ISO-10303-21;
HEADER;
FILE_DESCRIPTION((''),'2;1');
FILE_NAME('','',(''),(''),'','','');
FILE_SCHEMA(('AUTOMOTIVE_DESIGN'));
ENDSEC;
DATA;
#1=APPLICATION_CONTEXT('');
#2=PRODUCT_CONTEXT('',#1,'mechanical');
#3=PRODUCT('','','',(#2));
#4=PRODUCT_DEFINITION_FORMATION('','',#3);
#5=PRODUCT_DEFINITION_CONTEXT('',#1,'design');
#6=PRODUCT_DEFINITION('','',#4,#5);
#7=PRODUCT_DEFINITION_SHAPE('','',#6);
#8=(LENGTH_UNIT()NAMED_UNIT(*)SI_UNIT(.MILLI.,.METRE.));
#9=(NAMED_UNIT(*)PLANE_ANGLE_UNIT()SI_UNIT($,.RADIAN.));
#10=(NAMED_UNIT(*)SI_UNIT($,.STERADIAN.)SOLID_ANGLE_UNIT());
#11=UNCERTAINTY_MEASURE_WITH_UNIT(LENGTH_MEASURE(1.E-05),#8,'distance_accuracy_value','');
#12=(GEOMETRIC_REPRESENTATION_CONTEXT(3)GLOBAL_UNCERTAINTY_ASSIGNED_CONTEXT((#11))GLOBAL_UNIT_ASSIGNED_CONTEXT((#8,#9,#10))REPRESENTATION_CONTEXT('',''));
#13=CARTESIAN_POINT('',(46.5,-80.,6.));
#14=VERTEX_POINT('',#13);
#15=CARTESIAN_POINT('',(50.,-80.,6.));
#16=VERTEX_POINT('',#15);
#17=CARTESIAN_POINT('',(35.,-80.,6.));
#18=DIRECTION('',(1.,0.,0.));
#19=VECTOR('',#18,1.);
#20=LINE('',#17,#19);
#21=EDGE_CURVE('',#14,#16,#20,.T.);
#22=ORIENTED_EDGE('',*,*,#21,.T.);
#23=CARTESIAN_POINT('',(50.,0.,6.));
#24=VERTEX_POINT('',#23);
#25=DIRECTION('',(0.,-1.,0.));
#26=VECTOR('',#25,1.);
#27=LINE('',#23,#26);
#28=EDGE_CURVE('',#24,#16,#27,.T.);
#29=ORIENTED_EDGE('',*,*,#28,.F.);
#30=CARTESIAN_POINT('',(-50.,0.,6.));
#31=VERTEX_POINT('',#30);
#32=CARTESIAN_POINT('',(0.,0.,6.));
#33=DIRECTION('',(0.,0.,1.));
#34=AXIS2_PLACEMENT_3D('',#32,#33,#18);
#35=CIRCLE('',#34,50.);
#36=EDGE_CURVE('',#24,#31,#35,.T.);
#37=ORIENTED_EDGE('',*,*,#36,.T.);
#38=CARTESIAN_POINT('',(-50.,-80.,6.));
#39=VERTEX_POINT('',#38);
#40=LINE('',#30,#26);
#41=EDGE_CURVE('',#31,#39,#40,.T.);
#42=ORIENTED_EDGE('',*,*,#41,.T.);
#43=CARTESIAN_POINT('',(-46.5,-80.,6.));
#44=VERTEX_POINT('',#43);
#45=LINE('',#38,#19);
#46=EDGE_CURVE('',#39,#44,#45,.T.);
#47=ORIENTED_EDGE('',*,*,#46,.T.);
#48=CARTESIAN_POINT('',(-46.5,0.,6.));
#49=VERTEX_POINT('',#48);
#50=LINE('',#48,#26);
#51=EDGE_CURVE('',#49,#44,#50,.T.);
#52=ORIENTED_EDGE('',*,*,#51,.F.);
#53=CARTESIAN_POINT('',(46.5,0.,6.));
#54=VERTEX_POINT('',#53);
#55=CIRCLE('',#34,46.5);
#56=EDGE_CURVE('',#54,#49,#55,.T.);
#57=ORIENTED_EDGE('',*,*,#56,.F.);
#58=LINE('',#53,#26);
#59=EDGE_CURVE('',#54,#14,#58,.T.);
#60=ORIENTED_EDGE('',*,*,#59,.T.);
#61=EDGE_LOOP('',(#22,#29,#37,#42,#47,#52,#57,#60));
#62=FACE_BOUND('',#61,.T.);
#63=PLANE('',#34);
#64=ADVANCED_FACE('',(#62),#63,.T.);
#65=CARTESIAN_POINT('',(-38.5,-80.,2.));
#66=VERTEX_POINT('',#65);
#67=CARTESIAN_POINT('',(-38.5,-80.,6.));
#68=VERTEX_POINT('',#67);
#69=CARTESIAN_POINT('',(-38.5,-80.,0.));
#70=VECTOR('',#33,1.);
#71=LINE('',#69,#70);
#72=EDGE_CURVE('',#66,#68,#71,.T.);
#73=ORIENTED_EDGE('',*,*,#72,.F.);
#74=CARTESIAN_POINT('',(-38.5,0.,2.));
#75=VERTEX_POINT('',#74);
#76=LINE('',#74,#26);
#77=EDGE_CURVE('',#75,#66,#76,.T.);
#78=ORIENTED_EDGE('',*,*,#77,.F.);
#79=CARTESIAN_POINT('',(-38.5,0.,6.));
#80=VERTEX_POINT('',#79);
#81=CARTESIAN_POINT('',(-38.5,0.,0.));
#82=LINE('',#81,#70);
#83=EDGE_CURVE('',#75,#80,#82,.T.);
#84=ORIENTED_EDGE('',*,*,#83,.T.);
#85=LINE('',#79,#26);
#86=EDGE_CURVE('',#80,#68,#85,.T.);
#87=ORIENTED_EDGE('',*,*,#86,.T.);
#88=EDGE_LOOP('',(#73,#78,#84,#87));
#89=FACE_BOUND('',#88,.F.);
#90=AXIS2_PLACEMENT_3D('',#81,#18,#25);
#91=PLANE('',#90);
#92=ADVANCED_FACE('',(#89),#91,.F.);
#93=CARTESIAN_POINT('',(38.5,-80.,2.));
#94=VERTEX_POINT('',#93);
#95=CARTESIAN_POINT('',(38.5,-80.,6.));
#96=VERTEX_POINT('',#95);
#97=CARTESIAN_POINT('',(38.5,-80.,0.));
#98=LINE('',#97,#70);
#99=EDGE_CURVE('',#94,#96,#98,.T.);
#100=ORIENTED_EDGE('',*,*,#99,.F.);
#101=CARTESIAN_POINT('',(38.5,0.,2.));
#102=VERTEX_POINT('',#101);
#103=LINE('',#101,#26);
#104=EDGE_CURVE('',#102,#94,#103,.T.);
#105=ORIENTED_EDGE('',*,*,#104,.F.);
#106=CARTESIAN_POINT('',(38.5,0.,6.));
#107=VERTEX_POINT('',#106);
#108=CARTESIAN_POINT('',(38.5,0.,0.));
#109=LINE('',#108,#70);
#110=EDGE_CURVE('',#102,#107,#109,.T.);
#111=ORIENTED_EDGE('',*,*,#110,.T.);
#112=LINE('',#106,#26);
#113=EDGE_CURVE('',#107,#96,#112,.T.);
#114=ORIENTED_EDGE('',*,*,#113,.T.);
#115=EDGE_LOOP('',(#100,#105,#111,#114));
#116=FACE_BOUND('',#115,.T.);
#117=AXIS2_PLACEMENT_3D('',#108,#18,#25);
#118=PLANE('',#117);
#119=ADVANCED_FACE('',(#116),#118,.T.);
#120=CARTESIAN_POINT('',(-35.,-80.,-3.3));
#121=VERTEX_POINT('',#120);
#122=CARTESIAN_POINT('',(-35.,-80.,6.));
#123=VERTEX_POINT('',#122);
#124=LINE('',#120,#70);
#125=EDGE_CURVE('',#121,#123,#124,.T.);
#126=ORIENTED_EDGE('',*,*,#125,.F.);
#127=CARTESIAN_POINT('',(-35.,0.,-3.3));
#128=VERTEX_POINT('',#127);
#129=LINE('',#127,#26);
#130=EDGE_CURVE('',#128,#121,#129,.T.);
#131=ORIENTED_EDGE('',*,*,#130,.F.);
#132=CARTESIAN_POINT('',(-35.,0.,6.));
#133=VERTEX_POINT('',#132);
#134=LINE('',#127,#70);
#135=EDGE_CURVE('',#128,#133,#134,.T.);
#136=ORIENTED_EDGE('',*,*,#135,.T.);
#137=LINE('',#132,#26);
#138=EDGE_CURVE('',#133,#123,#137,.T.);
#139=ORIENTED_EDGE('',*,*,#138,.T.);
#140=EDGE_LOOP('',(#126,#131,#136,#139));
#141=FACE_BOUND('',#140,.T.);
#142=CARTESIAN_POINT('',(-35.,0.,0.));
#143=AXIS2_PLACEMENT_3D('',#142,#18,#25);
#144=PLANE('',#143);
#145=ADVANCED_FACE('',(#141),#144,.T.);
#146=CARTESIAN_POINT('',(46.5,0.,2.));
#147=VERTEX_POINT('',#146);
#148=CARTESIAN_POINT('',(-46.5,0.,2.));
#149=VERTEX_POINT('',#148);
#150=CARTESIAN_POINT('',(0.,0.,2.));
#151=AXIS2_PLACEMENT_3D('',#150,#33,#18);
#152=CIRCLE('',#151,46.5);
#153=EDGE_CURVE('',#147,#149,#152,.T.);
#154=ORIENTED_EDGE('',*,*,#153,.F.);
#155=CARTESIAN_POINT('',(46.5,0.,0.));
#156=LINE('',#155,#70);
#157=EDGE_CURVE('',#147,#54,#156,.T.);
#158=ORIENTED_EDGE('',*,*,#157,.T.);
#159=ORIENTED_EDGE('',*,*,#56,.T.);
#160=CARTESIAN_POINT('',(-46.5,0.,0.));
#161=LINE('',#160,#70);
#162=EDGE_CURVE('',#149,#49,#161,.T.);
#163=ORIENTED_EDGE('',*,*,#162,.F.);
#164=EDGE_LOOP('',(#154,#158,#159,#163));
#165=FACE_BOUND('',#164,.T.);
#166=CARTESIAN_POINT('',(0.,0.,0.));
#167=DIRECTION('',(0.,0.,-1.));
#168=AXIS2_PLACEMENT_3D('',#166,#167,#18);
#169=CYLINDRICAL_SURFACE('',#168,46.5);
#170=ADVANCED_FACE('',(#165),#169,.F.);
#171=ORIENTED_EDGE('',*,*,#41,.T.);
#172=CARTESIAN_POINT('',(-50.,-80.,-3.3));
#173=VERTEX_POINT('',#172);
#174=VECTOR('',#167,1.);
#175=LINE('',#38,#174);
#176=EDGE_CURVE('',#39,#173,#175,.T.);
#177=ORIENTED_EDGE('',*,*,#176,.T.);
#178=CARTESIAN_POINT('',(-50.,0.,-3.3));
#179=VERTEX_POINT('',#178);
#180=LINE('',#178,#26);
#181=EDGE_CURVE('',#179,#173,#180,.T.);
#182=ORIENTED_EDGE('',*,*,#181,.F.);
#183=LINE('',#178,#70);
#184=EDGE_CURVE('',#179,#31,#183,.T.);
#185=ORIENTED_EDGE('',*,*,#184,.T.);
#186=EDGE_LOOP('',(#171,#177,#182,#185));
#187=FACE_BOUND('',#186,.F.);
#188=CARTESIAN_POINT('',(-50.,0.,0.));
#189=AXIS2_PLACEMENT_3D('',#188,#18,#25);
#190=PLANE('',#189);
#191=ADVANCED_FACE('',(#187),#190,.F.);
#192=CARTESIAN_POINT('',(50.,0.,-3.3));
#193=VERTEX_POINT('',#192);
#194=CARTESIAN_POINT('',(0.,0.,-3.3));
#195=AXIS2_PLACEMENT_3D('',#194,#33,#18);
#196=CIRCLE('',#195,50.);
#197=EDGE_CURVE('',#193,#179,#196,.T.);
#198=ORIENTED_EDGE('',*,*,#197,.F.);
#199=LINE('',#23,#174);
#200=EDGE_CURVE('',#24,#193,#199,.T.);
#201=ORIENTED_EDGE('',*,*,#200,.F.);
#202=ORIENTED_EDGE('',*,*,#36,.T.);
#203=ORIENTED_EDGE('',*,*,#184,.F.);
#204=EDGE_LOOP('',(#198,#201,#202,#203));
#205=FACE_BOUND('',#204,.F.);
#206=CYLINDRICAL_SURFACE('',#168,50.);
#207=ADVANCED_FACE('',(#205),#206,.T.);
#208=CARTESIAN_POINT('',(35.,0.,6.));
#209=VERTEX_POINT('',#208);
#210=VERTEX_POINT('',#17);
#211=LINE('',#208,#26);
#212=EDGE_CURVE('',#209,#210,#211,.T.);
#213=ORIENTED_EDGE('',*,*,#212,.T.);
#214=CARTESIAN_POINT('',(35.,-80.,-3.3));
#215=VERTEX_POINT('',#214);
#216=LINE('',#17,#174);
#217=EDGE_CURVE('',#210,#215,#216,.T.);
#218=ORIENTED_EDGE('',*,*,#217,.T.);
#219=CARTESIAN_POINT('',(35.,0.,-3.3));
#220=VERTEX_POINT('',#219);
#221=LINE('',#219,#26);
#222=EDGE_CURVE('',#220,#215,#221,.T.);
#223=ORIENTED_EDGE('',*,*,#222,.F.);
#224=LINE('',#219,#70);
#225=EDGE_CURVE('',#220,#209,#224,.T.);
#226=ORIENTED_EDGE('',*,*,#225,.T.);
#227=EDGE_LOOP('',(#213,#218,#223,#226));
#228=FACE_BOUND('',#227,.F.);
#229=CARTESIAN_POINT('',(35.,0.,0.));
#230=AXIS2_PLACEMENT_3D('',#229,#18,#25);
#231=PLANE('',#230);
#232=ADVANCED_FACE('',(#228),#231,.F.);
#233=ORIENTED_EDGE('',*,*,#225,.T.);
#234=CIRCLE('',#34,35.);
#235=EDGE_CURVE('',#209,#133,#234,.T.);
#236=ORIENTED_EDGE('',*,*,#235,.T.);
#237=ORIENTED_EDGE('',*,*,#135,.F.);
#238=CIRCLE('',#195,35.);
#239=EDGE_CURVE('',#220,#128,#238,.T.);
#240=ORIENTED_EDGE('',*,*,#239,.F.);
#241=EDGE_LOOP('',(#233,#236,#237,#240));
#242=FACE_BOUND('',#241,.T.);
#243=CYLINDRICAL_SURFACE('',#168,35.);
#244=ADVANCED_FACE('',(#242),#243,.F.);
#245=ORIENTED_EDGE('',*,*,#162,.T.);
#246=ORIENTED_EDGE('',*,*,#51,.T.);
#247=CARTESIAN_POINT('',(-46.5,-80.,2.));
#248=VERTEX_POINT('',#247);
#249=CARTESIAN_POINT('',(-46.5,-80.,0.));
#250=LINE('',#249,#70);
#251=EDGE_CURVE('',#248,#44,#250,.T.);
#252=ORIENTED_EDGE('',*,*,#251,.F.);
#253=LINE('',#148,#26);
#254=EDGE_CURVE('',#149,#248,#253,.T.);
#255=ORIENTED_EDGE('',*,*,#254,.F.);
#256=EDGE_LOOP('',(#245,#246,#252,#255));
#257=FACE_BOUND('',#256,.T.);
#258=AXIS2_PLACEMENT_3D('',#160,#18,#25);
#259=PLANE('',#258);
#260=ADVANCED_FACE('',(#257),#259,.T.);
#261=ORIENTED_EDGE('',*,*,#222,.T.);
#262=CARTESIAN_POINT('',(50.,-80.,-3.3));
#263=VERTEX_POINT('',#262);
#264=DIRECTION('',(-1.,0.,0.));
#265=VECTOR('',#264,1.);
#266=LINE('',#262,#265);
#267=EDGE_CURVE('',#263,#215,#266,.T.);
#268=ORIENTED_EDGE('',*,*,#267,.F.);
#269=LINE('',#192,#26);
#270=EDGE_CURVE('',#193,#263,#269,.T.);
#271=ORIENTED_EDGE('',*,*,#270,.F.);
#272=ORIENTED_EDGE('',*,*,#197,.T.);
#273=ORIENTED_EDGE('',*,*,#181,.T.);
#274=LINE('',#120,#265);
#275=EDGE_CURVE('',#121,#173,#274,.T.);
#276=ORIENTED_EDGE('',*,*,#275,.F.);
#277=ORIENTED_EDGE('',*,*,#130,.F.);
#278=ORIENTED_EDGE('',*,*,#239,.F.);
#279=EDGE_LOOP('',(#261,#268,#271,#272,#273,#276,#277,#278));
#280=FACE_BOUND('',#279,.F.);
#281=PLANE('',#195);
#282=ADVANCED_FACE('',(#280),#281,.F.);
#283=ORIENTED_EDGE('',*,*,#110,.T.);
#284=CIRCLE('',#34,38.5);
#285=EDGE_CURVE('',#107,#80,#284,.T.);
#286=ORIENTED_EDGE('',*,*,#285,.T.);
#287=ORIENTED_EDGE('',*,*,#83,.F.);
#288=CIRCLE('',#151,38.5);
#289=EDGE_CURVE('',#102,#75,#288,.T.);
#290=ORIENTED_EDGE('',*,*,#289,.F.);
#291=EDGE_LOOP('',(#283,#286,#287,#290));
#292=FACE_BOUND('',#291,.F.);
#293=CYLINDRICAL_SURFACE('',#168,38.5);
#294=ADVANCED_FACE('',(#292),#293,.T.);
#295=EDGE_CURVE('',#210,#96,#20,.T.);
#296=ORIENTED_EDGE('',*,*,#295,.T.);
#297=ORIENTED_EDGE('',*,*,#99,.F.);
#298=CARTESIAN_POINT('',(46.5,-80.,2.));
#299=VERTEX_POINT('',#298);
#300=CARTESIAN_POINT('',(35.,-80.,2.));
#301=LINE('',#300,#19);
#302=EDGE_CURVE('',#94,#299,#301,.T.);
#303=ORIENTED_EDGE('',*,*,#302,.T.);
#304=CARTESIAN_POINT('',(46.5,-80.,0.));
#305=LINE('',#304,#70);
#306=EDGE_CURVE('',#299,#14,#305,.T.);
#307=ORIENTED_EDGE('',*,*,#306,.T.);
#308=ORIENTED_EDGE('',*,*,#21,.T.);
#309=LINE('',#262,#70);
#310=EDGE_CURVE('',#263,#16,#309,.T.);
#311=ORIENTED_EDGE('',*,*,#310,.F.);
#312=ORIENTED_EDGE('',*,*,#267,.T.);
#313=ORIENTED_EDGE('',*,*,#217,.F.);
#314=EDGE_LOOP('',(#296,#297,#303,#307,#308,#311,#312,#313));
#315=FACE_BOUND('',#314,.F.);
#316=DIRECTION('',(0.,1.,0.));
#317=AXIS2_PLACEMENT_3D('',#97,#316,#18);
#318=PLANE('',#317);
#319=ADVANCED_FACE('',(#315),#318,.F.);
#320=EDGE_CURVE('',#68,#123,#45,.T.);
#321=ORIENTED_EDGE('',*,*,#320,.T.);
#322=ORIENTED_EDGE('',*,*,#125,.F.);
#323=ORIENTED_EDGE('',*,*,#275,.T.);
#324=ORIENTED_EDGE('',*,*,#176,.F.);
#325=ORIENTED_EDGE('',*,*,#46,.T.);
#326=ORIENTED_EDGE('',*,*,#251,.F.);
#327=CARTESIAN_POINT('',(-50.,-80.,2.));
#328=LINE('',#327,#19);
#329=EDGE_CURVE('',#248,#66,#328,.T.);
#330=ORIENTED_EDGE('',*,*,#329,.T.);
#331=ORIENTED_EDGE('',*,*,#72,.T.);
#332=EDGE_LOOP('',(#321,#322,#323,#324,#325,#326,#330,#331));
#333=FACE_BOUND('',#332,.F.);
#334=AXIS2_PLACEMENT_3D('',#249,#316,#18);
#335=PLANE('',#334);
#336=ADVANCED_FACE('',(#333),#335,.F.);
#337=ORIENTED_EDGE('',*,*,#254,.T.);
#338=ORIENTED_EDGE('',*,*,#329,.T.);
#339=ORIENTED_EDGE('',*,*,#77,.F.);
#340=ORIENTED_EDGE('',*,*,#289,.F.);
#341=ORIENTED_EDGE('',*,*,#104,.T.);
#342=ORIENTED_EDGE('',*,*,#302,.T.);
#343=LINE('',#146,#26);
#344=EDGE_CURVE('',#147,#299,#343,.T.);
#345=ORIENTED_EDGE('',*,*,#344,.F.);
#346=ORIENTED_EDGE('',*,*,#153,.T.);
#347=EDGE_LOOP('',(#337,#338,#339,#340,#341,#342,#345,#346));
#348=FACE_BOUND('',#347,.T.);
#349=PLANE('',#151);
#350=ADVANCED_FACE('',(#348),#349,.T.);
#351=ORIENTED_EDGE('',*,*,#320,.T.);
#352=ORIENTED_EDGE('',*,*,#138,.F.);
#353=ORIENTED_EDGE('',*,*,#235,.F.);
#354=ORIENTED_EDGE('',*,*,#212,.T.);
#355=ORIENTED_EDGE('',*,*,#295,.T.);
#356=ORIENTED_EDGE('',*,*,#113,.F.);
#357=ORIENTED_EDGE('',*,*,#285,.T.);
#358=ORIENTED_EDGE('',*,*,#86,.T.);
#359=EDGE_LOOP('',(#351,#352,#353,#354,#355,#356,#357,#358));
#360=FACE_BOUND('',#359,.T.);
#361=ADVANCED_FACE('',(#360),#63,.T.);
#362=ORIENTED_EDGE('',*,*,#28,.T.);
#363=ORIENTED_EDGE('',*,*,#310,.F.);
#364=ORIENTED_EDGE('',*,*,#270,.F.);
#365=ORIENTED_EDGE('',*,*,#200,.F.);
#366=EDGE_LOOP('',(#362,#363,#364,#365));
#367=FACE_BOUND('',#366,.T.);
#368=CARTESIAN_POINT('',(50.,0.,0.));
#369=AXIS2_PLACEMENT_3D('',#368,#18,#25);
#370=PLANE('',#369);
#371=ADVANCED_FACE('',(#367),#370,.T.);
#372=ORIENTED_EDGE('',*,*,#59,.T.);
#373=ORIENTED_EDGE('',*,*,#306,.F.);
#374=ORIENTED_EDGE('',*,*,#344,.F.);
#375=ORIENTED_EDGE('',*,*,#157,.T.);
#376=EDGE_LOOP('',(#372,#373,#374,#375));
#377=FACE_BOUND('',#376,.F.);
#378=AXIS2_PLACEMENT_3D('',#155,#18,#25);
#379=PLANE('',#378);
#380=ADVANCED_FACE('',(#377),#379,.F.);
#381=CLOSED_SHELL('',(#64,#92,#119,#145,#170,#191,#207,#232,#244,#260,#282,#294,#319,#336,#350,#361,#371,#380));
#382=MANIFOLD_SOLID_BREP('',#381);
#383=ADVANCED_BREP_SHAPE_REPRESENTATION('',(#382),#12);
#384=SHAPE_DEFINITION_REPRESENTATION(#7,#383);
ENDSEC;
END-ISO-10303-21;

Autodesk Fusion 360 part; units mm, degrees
sketch "Sketch1" plane through (0, 0, 0) normal (0, 0, 1) x (1, 0, 0)
  line L0 (-65, 0) -> (67.0686, 0)
  line L1 (-35, 0) -> (-35, -80)
  line L2 (-50, 0) -> (-50, -80)
  line L3 (35, 0) -> (35, -80)
  line L4 (50, 0) -> (50, -80)
  line L5 (35, -80) -> (50, -80)
  line L6 (-50, -80) -> (-35, -80)
  arc A0 (35, 0) -> (-35, 0) centre (0, 0) ccw
  arc A1 (50, 0) -> (-50, 0) centre (0, 0) ccw
  arc A2 (38.5, 0) -> (-38.5, 0) centre (0, 0) ccw
  arc A3 (46.5, 0) -> (-46.5, 0) centre (0, 0) ccw
  line L7 (-38.5, 0) -> (-38.5, -80)
  line L8 (-46.5, 0) -> (-46.5, -80)
  line L9 (38.5, 0) -> (38.5, -80)
  line L10 (46.5, 0) -> (46.5, -80)
  dimension "d1" = 70
  dimension "d2" = 100
  dimension "d3" = 80
  dimension "d4" = 80
  dimension "d5" = 80
  dimension "d8" = 77
  dimension "d9" = 93
extrude "Extrude2" add sketch "Sketch1" along normal blind 6 contours L0 A1 A3 | L0 L2 L6 L8 | L0 L4 L5 L10 | L0 A0 A2 | L0 L1 L6 L7 | L0 L3 L5 L9 makes body 1 at (36.1667, -53.3333, 0) makes body 2 at (-47.6667, -53.3333, 0)
extrude "Extrude3" add sketch "Sketch1" along normal blind 2 separate body contours L0 A2 A3 | L0 L6 L7 L8 | L0 L5 L9 L10 makes body 3
extrude "Extrude4" add sketch "Sketch1" against normal blind 3.3 contours L0 A1 A3 | L0 L2 L6 L8 | L0 A2 A3 | L0 L6 L7 L8 | L0 L4 L5 L10 | L0 A0 A2 | L0 L1 L6 L7 | L0 L5 L9 L10 | L0 L3 L5 L9 bodies 1 2 3
